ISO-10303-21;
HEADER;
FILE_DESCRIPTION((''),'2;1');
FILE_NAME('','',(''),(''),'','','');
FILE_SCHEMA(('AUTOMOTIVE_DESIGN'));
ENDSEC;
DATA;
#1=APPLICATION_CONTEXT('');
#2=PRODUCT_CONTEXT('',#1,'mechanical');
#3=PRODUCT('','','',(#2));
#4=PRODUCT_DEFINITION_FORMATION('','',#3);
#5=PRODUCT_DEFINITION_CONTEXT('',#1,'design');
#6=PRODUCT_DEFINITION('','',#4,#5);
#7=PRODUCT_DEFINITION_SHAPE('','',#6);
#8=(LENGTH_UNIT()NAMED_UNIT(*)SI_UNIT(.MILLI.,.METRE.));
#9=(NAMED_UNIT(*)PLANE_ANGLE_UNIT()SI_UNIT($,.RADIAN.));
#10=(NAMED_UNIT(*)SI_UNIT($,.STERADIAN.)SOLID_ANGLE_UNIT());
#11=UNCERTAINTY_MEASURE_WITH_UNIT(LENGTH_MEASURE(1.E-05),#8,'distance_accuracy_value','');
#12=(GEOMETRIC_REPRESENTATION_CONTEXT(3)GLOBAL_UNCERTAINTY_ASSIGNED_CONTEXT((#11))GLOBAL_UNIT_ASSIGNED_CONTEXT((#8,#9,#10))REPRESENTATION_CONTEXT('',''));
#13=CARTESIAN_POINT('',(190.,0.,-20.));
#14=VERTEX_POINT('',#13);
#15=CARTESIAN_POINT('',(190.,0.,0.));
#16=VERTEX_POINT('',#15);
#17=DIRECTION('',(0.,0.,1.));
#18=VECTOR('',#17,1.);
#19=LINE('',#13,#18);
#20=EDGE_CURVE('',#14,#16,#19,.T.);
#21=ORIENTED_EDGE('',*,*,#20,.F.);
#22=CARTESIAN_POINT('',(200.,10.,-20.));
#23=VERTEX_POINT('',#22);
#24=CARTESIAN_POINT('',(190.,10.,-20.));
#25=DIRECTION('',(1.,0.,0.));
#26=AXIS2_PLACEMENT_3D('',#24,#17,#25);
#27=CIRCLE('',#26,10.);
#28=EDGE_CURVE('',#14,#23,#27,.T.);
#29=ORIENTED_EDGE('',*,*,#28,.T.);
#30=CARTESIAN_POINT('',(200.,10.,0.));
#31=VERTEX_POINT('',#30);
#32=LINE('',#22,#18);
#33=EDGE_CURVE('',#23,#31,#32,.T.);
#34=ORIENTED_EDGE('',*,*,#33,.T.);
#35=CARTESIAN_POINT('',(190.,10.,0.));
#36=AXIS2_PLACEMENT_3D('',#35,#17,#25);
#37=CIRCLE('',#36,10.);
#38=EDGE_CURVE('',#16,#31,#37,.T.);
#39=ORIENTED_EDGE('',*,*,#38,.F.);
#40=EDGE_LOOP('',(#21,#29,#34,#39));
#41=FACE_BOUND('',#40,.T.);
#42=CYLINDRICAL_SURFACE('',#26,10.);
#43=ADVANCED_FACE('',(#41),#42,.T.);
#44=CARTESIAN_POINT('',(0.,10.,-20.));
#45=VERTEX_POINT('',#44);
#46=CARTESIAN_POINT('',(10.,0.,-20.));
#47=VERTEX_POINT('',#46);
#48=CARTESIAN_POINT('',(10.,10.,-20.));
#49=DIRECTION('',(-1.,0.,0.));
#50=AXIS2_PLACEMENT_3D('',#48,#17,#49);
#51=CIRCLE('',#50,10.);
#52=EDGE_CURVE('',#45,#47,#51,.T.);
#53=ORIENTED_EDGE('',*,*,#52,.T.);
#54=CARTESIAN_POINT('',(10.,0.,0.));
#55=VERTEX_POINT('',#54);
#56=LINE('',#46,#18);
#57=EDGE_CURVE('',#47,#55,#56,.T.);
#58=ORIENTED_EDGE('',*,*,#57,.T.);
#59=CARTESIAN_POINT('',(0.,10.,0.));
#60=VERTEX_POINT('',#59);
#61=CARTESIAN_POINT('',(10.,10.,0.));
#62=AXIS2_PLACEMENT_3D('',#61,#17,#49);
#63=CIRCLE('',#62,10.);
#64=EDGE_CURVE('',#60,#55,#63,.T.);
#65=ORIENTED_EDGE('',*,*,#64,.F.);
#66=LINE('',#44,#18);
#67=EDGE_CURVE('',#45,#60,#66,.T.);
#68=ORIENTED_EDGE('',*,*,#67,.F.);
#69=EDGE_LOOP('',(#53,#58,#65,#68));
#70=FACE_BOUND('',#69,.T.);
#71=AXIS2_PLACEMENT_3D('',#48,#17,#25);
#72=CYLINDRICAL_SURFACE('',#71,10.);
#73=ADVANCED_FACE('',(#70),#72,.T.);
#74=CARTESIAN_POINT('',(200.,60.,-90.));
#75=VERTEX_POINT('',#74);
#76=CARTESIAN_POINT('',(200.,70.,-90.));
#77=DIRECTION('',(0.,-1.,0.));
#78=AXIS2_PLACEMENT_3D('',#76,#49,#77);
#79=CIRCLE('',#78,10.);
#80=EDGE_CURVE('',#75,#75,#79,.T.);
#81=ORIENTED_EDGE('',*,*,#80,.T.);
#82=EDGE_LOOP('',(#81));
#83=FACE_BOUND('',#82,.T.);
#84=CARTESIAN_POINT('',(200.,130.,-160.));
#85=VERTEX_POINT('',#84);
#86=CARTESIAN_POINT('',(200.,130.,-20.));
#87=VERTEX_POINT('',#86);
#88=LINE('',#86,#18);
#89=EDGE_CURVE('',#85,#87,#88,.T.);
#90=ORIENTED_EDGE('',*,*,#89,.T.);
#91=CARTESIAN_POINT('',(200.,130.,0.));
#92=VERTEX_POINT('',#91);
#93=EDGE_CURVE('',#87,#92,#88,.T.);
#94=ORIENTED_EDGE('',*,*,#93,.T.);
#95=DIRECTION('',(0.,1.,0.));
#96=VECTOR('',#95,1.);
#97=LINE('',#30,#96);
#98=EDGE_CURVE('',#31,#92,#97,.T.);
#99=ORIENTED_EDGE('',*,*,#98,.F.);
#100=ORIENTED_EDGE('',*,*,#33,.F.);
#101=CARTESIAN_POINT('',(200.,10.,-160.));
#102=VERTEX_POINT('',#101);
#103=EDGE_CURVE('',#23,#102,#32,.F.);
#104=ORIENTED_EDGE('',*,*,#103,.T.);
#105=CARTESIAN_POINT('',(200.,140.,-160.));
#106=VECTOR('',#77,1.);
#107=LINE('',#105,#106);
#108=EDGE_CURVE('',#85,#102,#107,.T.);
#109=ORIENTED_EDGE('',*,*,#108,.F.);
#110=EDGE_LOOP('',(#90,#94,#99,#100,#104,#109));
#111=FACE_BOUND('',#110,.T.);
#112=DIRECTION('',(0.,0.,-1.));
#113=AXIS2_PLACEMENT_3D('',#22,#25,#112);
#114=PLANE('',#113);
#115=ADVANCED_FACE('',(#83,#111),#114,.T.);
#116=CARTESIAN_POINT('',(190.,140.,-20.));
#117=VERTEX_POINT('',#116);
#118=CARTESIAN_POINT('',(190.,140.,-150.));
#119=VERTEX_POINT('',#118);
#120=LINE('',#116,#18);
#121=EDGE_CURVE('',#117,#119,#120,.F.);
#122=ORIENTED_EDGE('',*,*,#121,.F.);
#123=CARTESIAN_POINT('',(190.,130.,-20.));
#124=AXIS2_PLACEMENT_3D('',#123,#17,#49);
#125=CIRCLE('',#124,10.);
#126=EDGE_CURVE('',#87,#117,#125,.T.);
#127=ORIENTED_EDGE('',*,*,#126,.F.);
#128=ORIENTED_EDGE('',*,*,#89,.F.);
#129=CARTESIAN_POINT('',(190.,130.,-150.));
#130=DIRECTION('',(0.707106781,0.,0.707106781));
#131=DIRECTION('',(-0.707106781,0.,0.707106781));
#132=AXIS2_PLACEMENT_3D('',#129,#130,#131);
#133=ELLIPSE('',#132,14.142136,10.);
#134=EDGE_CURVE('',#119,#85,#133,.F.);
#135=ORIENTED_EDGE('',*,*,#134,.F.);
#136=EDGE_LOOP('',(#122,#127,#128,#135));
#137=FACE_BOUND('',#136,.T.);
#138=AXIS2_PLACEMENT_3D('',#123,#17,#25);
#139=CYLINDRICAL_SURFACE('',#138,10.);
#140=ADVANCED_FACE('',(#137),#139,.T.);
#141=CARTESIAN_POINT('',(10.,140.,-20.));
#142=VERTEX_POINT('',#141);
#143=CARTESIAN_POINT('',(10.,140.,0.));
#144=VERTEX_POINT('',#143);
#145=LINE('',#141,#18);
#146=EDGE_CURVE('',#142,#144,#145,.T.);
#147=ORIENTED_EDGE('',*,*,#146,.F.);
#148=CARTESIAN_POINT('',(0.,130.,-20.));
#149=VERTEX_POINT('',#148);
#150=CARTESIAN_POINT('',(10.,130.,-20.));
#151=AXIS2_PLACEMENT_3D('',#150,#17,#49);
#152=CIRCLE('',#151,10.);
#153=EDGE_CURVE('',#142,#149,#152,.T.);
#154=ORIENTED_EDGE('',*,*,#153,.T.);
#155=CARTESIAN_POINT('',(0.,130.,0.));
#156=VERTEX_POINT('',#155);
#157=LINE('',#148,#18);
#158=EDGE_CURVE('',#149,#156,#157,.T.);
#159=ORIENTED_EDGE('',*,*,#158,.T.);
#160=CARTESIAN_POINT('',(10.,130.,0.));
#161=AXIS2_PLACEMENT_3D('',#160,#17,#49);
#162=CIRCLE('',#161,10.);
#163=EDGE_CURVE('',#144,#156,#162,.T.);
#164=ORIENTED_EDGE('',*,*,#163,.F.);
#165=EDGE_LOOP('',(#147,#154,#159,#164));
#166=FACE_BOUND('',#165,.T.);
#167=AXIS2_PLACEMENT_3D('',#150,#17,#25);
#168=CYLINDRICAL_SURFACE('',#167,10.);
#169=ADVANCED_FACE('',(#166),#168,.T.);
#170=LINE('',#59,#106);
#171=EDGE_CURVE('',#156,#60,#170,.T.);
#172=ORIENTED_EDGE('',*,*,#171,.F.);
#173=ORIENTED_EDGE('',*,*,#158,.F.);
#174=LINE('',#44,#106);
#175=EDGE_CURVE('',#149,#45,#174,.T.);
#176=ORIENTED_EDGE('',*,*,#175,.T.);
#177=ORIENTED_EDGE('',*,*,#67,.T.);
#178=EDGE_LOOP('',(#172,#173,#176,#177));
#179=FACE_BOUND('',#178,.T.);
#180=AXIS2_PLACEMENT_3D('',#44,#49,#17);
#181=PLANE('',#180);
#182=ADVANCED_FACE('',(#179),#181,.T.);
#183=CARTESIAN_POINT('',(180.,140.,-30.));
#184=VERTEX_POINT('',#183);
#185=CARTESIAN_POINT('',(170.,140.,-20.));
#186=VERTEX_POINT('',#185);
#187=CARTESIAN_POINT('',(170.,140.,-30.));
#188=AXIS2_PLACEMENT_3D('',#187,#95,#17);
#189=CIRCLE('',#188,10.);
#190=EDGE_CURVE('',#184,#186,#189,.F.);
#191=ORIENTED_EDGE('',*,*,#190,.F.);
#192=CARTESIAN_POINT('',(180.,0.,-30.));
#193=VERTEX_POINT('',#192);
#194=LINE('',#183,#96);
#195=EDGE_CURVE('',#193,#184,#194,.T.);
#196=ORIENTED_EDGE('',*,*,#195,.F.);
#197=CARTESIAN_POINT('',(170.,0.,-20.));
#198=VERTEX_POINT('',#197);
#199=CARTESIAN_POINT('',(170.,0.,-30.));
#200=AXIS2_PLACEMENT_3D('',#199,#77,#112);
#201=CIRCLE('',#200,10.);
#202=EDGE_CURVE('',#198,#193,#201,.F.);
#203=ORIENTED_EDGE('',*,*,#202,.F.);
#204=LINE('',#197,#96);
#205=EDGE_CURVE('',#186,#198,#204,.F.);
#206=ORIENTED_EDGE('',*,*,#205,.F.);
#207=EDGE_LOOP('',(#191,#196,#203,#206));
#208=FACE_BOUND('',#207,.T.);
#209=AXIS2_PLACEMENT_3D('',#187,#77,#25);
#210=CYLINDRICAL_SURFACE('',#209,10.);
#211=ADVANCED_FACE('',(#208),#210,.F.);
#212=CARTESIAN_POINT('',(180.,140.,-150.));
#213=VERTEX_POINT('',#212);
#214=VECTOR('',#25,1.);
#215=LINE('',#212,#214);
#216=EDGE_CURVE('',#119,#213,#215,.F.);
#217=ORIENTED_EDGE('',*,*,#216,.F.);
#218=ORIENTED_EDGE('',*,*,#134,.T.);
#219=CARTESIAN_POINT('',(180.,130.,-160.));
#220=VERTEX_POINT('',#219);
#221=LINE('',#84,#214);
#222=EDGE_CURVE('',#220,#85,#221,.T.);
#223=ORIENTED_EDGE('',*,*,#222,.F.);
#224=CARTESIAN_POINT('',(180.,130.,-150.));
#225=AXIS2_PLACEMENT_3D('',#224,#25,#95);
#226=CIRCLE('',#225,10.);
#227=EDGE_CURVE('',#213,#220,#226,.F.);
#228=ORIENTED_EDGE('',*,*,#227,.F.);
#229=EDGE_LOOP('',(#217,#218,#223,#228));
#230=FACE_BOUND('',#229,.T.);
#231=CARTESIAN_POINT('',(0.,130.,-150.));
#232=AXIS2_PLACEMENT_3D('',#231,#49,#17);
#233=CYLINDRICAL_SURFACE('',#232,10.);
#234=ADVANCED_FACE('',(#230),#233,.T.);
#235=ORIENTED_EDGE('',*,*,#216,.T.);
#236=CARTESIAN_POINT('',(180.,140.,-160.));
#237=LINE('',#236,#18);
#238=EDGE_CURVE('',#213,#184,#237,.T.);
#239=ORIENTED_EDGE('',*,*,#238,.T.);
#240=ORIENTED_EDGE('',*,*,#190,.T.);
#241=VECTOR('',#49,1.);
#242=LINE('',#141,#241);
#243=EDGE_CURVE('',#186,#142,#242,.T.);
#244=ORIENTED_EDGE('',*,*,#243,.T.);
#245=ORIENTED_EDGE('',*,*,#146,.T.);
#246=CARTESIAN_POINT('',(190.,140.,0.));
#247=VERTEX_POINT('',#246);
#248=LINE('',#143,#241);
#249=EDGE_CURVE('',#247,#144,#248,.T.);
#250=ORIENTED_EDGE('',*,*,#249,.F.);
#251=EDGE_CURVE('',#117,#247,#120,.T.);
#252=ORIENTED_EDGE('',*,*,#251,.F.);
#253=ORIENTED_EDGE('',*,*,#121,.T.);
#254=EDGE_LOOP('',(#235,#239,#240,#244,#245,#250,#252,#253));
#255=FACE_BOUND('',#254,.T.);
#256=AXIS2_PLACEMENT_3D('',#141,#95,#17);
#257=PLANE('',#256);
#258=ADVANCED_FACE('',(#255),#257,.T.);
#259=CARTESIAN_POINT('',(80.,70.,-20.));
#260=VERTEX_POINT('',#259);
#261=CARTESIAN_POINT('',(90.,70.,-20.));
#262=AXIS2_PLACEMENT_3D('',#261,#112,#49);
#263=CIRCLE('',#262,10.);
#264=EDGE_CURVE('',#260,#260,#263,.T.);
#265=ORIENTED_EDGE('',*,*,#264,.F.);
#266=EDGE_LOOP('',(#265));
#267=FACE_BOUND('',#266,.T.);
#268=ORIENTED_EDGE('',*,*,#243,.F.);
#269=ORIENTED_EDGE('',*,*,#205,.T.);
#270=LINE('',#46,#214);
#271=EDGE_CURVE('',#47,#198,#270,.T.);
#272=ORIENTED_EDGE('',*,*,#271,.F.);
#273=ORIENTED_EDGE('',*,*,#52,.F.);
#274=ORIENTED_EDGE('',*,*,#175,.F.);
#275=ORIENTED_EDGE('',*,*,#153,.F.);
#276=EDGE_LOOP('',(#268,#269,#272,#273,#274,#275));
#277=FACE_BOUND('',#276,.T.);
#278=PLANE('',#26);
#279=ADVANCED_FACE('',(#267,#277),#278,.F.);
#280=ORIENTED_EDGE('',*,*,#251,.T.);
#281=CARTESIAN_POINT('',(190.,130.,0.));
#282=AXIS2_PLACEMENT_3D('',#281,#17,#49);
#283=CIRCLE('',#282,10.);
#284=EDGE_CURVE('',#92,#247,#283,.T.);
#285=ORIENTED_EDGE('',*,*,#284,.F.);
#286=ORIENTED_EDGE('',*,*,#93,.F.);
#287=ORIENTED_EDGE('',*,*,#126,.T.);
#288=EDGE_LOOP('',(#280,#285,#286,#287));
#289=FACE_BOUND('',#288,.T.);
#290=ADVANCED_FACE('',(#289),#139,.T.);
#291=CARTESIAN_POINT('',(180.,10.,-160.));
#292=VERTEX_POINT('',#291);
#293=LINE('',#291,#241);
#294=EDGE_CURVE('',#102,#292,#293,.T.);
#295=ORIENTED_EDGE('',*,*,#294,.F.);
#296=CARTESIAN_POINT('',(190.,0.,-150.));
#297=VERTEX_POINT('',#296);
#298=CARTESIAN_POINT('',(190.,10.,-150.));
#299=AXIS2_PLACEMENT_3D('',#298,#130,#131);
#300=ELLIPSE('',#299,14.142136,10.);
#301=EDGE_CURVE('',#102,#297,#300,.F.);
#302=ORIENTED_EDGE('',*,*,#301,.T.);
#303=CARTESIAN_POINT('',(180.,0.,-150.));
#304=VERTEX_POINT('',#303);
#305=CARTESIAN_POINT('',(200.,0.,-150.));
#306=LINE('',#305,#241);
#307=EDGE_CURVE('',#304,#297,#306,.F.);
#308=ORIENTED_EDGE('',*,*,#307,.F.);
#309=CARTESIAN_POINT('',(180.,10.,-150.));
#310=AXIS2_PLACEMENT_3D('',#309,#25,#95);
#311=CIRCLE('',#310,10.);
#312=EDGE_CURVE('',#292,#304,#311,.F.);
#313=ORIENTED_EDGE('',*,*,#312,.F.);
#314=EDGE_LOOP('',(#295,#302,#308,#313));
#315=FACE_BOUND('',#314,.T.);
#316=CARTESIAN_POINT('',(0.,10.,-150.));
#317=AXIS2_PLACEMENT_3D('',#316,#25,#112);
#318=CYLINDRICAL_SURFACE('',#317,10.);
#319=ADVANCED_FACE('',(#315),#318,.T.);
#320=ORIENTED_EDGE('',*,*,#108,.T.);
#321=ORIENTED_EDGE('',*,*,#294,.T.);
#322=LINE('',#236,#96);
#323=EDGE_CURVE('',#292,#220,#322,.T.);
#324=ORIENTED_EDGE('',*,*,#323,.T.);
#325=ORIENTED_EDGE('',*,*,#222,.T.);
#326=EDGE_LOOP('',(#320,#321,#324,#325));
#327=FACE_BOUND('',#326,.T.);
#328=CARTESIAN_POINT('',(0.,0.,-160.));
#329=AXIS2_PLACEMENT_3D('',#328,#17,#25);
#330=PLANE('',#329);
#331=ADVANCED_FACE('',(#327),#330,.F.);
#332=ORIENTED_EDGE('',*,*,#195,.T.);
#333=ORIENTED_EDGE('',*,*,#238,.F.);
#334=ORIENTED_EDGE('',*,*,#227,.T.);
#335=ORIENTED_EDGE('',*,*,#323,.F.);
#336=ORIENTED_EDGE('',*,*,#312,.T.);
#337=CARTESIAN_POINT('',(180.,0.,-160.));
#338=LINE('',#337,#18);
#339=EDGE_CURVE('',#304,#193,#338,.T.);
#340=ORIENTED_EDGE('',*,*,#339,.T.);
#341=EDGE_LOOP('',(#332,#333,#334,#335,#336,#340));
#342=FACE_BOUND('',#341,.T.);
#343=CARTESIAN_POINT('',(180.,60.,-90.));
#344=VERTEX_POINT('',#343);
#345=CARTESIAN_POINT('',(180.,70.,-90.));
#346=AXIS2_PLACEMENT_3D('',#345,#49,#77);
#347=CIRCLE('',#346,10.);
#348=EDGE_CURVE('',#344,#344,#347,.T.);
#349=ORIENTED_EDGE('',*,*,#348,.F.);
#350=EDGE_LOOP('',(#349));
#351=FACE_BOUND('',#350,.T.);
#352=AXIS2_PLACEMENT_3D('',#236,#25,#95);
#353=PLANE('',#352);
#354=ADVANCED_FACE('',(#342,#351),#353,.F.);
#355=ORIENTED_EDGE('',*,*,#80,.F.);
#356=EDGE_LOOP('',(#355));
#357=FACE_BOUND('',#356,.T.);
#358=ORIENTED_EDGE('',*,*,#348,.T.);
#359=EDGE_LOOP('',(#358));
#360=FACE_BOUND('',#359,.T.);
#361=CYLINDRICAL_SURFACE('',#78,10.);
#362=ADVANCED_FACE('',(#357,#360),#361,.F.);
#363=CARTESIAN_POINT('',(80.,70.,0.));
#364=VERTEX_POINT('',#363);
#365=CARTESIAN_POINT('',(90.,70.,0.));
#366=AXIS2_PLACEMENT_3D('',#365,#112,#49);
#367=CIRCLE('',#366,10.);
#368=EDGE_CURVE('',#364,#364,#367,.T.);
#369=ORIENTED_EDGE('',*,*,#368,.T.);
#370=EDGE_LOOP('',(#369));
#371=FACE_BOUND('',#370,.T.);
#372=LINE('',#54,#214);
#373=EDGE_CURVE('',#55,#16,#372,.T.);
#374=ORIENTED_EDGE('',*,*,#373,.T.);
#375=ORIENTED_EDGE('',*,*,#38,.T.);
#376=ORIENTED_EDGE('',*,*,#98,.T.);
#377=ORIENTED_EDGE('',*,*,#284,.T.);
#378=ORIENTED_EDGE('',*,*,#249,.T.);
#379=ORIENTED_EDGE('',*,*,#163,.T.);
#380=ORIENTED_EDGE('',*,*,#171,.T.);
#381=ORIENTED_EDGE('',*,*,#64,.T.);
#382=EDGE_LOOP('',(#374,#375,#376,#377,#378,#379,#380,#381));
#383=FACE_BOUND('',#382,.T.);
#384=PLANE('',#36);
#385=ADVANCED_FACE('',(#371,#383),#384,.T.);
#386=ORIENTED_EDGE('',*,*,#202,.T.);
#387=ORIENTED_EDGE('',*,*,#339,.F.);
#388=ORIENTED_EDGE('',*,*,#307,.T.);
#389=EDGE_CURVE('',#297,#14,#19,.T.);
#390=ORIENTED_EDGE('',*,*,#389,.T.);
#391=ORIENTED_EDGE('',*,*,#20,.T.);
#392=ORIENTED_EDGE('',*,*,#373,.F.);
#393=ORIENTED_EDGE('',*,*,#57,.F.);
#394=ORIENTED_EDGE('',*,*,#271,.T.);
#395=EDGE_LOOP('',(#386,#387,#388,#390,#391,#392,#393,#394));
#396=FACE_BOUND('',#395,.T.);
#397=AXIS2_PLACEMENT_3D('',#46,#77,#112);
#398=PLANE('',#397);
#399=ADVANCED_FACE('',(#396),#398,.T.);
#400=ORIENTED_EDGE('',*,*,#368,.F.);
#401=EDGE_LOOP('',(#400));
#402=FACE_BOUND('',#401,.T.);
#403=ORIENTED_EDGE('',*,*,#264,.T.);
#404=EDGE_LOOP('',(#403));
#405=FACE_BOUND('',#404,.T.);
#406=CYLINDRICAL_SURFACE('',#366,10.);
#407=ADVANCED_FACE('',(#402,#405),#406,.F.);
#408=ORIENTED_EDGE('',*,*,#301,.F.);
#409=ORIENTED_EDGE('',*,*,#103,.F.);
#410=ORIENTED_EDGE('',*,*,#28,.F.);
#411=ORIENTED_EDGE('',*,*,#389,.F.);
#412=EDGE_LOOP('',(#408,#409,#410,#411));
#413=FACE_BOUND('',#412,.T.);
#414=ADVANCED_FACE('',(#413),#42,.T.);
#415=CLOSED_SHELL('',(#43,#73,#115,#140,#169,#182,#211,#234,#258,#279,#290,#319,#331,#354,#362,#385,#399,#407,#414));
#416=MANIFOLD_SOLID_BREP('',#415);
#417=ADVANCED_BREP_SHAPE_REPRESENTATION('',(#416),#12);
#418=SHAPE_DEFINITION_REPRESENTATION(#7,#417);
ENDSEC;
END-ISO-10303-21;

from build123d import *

# Parameters (mm, degrees)
BOSS_EXTRUDE1_DEPTH = 20
BOSS_EXTRUDE2_DEPTH = 140
FILLET1_R           = 10
SKETCH3_R           = 9.999999999999993
CUT_EXTRUDE1_DEPTH  = 282.42494558940575
SKETCH4_R           = 9.999999999999993
CUT_EXTRUDE2_DEPTH  = 279.5677655436824


with BuildPart() as part:
    # Sketch1 → Boss-Extrude1 (new body)
    with BuildSketch(Plane.XY):
        with BuildLine():
            Line((10.000000000000071, 0), (189.99999999999994, 0))
            ThreePointArc((189.99999999999994, 0), (197.07106781186548, 2.92893218813453), (200, 10.000000000000071))
            Line((200, 10.000000000000071), (200, 129.99999999999994))
            ThreePointArc((200, 129.99999999999994), (197.07106781186548, 137.07106781186548), (189.99999999999994, 140))
            Line((189.99999999999994, 140), (10.000000000000071, 140))
            ThreePointArc((10.000000000000071, 140), (2.9289321881345263, 137.07106781186548), (0, 129.99999999999994))
            Line((0, 129.99999999999994), (0, 10.000000000000071))
            ThreePointArc((0, 10.000000000000071), (2.9289321881345254, 2.9289321881345245), (10.000000000000071, 0))
        make_face()
    extrude(amount=-BOSS_EXTRUDE1_DEPTH)

    # Sketch2 → Boss-Extrude2 (add)
    with BuildSketch(Plane(origin=(0, 0, -20), x_dir=(-1, 0, 0), z_dir=(0, 0, -1))):
        Polygon((-180, 140), (-200, 140), (-200, 0), (-179.99999999999997, 2.45e-15), align=None)
    extrude(amount=BOSS_EXTRUDE2_DEPTH)

    # Fillet1
    fillet1_edges = [part.edges().sort_by_distance(p)[0] for p in [
        (190, 1.22e-15, -160),
        (190, 140, -160),
        (180, 70, -20),
        (200, 0, -90),
        (200, 140, -90),
    ]]
    fillet(fillet1_edges, radius=FILLET1_R)

    # Sketch3 → Cut-Extrude1 (cut, through all)
    with BuildSketch(Plane(origin=(0, 0, -20), x_dir=(-1, 0, 0), z_dir=(0, 0, -1))):
        with Locations((-89.99999999999997, 70)):
            Circle(SKETCH3_R)
    extrude(amount=-CUT_EXTRUDE1_DEPTH, mode=Mode.SUBTRACT)

    # Sketch4 → Cut-Extrude2 (cut, through all)
    with BuildSketch(Plane.ZY.offset(-179.99999999999997)):
        with Locations(Location((-90.00000000000001, 70.00000000000003, 0), (0, 0, 270))):
            Circle(SKETCH4_R)
    extrude(amount=-CUT_EXTRUDE2_DEPTH, mode=Mode.SUBTRACT)


solid = part.part
